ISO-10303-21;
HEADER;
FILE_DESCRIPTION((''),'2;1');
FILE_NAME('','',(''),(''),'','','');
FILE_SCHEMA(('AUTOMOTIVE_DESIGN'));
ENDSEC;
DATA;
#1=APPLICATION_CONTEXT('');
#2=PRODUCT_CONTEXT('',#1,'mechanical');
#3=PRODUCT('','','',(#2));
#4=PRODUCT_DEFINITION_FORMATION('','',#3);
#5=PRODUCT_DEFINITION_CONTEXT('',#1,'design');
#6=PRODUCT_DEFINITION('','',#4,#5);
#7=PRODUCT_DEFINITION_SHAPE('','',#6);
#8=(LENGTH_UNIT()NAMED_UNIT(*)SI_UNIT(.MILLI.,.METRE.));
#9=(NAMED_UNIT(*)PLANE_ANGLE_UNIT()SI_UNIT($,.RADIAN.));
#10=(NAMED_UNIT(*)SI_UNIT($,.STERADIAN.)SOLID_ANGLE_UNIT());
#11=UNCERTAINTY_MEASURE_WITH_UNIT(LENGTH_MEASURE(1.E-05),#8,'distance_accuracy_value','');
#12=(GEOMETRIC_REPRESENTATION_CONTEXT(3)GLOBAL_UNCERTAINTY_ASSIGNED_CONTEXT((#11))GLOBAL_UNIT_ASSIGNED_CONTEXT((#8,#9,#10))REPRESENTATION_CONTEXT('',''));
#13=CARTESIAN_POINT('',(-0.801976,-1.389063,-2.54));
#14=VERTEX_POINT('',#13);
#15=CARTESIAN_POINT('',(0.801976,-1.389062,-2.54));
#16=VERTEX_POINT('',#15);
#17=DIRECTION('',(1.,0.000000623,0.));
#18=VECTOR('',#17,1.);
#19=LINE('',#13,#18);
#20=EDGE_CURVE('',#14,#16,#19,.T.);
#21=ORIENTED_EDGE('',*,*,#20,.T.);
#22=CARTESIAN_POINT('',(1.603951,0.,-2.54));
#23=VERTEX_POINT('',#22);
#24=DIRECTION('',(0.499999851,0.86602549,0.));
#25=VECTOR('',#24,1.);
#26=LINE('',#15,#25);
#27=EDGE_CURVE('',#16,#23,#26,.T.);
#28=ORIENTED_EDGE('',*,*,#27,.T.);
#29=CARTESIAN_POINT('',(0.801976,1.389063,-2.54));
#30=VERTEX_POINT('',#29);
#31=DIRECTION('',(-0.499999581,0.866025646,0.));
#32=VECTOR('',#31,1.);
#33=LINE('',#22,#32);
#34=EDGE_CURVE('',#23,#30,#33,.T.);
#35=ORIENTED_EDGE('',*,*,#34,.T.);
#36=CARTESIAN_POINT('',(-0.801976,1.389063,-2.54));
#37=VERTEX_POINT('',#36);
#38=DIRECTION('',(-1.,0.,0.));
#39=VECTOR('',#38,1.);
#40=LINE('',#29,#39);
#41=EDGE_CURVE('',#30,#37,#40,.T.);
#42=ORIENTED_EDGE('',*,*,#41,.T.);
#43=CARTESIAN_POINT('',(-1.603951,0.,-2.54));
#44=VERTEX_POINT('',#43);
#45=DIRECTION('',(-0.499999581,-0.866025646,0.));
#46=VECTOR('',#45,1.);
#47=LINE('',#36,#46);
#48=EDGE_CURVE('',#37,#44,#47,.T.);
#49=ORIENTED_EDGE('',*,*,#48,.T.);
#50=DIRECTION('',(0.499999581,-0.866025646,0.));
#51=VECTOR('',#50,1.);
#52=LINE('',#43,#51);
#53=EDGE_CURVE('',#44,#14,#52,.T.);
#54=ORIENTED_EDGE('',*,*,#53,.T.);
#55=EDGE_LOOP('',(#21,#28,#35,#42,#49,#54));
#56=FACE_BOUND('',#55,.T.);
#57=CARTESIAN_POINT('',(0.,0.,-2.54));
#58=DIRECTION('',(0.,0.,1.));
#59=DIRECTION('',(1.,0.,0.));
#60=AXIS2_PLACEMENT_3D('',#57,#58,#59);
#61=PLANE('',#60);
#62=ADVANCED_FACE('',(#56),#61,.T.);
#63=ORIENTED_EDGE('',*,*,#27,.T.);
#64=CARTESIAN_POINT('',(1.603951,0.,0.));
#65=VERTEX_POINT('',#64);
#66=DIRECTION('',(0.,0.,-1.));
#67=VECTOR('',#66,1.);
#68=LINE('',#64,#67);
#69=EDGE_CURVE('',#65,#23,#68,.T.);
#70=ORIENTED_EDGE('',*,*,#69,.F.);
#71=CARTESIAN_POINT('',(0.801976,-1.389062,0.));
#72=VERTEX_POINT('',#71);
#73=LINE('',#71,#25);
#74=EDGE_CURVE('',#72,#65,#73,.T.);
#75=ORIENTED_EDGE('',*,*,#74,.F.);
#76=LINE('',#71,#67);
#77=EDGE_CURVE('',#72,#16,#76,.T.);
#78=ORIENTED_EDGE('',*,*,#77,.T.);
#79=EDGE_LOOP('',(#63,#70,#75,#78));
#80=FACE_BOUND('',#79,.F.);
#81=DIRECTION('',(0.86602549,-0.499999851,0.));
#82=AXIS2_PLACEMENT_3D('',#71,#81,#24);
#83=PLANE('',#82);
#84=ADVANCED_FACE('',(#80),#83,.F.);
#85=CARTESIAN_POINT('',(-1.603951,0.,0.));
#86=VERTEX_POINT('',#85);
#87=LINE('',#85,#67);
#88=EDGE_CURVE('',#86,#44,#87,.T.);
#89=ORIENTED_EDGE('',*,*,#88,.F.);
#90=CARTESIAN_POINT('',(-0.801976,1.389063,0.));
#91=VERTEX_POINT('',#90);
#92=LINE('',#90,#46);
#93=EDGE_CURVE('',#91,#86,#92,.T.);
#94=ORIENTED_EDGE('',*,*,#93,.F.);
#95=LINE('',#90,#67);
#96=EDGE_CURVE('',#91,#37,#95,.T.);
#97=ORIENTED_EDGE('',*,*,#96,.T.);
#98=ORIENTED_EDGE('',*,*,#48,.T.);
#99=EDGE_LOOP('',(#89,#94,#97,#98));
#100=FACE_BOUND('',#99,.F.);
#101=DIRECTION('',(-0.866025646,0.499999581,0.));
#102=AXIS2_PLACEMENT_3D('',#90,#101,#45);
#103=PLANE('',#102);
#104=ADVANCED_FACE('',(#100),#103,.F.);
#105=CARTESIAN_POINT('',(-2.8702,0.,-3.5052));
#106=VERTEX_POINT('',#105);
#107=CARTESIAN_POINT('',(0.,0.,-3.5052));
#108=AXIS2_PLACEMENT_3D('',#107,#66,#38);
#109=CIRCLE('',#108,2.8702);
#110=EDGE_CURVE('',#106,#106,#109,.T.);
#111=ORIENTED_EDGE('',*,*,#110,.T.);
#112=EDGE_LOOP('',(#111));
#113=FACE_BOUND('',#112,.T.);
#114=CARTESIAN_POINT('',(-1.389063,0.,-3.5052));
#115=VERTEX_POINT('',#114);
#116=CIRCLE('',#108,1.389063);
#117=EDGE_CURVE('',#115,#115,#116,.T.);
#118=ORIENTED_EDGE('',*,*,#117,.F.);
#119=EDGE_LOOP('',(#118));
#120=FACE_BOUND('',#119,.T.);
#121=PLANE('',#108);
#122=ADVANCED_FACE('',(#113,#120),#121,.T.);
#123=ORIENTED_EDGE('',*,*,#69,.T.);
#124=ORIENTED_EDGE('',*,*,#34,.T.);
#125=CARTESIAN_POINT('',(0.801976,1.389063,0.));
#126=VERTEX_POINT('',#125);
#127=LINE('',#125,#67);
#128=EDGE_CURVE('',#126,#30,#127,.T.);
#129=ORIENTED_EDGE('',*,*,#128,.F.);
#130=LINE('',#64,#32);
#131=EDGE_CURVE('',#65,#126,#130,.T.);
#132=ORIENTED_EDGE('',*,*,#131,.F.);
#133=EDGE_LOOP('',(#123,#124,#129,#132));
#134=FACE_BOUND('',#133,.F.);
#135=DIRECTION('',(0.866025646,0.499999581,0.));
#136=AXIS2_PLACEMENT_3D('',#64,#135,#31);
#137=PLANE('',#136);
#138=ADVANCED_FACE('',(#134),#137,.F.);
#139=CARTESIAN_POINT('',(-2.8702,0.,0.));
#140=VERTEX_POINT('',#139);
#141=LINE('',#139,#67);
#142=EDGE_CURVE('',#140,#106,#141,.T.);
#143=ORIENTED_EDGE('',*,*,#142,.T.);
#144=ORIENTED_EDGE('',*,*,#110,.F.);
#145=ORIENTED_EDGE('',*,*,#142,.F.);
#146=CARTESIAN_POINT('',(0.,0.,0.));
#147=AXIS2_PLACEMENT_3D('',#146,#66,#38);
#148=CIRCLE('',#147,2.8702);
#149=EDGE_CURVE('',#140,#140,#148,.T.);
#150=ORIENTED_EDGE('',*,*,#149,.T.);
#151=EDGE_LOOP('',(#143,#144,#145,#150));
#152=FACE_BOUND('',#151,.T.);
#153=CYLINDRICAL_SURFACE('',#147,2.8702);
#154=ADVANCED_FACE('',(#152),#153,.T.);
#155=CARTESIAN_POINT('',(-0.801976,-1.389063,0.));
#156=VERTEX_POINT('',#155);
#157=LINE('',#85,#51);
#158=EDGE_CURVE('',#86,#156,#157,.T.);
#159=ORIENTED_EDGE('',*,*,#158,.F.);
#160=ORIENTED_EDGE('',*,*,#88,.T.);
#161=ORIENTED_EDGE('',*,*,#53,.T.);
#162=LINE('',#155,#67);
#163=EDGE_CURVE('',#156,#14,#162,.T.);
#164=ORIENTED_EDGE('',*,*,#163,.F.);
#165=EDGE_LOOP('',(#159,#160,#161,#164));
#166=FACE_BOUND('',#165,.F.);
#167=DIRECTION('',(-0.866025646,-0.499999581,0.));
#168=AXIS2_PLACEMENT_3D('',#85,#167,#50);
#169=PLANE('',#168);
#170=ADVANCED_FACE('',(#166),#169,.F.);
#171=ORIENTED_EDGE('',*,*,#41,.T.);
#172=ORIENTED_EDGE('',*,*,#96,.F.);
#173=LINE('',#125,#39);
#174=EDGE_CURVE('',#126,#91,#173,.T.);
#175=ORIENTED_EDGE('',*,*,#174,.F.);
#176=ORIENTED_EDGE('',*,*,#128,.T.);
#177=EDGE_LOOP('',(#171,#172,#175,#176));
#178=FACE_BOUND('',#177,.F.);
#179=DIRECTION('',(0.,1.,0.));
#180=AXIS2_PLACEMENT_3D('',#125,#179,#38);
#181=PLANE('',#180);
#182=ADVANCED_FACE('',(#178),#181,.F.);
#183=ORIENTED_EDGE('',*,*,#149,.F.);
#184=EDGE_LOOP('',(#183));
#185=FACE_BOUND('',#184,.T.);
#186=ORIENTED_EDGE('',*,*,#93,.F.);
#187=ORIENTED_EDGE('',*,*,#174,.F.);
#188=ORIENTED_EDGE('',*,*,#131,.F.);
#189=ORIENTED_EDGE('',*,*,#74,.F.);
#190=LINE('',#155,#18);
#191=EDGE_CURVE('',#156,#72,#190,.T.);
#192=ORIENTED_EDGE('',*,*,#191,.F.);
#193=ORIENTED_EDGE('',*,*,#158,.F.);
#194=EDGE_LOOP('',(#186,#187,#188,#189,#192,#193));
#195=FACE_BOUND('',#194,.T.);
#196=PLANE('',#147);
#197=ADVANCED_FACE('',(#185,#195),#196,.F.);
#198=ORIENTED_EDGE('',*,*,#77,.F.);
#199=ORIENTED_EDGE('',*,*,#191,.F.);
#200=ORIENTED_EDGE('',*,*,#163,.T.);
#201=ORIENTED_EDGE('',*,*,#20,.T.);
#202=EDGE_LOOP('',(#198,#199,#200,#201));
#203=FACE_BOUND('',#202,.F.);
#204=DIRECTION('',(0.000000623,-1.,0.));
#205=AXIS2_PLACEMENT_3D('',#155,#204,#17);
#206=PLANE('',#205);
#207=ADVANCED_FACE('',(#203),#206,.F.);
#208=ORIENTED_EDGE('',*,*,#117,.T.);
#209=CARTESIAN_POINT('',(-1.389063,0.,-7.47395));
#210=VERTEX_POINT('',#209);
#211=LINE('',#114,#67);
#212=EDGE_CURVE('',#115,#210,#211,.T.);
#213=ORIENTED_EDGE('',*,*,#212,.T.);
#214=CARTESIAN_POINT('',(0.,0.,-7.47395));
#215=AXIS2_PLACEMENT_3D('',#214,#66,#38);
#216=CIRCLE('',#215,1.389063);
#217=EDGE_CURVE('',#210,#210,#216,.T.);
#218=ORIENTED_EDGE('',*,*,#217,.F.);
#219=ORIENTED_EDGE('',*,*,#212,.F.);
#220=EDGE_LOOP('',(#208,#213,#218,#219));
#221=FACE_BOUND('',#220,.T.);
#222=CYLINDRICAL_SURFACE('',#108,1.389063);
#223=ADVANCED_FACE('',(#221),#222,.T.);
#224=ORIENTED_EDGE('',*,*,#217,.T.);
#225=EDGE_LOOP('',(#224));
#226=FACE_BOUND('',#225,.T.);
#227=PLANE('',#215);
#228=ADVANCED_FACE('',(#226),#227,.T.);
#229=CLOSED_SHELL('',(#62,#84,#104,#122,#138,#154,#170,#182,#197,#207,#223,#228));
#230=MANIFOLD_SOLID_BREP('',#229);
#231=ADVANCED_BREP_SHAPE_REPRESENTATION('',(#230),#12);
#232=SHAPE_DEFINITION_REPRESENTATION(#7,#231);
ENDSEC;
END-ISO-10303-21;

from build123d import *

# Parameters (mm, degrees)
F3_DEPTH = 2.54


with BuildPart() as f1:
    # F0 (on Front) → F1 (revolve)
    with BuildSketch(Plane.XZ):
        Polygon((0, -7.47395), (0, 0), (-2.8702, 0), (-2.8702, -3.5052), (-1.389063, -3.5052), (-1.389063, -7.47395), align=None)
    revolve(axis=Axis((0, 0, -3.736975), (0, 0, -1)))

    # F2 (on face) → F3 (cut)
    with BuildSketch(Plane.XY):
        Polygon((0.801976, 1.389063), (-0.801976, 1.389063), (-1.603951, 0), (-0.801976, -1.389063), (0.801976, -1.389062), (1.603951, 0), align=None)
    extrude(amount=-F3_DEPTH, mode=Mode.SUBTRACT)


solid = f1.part
